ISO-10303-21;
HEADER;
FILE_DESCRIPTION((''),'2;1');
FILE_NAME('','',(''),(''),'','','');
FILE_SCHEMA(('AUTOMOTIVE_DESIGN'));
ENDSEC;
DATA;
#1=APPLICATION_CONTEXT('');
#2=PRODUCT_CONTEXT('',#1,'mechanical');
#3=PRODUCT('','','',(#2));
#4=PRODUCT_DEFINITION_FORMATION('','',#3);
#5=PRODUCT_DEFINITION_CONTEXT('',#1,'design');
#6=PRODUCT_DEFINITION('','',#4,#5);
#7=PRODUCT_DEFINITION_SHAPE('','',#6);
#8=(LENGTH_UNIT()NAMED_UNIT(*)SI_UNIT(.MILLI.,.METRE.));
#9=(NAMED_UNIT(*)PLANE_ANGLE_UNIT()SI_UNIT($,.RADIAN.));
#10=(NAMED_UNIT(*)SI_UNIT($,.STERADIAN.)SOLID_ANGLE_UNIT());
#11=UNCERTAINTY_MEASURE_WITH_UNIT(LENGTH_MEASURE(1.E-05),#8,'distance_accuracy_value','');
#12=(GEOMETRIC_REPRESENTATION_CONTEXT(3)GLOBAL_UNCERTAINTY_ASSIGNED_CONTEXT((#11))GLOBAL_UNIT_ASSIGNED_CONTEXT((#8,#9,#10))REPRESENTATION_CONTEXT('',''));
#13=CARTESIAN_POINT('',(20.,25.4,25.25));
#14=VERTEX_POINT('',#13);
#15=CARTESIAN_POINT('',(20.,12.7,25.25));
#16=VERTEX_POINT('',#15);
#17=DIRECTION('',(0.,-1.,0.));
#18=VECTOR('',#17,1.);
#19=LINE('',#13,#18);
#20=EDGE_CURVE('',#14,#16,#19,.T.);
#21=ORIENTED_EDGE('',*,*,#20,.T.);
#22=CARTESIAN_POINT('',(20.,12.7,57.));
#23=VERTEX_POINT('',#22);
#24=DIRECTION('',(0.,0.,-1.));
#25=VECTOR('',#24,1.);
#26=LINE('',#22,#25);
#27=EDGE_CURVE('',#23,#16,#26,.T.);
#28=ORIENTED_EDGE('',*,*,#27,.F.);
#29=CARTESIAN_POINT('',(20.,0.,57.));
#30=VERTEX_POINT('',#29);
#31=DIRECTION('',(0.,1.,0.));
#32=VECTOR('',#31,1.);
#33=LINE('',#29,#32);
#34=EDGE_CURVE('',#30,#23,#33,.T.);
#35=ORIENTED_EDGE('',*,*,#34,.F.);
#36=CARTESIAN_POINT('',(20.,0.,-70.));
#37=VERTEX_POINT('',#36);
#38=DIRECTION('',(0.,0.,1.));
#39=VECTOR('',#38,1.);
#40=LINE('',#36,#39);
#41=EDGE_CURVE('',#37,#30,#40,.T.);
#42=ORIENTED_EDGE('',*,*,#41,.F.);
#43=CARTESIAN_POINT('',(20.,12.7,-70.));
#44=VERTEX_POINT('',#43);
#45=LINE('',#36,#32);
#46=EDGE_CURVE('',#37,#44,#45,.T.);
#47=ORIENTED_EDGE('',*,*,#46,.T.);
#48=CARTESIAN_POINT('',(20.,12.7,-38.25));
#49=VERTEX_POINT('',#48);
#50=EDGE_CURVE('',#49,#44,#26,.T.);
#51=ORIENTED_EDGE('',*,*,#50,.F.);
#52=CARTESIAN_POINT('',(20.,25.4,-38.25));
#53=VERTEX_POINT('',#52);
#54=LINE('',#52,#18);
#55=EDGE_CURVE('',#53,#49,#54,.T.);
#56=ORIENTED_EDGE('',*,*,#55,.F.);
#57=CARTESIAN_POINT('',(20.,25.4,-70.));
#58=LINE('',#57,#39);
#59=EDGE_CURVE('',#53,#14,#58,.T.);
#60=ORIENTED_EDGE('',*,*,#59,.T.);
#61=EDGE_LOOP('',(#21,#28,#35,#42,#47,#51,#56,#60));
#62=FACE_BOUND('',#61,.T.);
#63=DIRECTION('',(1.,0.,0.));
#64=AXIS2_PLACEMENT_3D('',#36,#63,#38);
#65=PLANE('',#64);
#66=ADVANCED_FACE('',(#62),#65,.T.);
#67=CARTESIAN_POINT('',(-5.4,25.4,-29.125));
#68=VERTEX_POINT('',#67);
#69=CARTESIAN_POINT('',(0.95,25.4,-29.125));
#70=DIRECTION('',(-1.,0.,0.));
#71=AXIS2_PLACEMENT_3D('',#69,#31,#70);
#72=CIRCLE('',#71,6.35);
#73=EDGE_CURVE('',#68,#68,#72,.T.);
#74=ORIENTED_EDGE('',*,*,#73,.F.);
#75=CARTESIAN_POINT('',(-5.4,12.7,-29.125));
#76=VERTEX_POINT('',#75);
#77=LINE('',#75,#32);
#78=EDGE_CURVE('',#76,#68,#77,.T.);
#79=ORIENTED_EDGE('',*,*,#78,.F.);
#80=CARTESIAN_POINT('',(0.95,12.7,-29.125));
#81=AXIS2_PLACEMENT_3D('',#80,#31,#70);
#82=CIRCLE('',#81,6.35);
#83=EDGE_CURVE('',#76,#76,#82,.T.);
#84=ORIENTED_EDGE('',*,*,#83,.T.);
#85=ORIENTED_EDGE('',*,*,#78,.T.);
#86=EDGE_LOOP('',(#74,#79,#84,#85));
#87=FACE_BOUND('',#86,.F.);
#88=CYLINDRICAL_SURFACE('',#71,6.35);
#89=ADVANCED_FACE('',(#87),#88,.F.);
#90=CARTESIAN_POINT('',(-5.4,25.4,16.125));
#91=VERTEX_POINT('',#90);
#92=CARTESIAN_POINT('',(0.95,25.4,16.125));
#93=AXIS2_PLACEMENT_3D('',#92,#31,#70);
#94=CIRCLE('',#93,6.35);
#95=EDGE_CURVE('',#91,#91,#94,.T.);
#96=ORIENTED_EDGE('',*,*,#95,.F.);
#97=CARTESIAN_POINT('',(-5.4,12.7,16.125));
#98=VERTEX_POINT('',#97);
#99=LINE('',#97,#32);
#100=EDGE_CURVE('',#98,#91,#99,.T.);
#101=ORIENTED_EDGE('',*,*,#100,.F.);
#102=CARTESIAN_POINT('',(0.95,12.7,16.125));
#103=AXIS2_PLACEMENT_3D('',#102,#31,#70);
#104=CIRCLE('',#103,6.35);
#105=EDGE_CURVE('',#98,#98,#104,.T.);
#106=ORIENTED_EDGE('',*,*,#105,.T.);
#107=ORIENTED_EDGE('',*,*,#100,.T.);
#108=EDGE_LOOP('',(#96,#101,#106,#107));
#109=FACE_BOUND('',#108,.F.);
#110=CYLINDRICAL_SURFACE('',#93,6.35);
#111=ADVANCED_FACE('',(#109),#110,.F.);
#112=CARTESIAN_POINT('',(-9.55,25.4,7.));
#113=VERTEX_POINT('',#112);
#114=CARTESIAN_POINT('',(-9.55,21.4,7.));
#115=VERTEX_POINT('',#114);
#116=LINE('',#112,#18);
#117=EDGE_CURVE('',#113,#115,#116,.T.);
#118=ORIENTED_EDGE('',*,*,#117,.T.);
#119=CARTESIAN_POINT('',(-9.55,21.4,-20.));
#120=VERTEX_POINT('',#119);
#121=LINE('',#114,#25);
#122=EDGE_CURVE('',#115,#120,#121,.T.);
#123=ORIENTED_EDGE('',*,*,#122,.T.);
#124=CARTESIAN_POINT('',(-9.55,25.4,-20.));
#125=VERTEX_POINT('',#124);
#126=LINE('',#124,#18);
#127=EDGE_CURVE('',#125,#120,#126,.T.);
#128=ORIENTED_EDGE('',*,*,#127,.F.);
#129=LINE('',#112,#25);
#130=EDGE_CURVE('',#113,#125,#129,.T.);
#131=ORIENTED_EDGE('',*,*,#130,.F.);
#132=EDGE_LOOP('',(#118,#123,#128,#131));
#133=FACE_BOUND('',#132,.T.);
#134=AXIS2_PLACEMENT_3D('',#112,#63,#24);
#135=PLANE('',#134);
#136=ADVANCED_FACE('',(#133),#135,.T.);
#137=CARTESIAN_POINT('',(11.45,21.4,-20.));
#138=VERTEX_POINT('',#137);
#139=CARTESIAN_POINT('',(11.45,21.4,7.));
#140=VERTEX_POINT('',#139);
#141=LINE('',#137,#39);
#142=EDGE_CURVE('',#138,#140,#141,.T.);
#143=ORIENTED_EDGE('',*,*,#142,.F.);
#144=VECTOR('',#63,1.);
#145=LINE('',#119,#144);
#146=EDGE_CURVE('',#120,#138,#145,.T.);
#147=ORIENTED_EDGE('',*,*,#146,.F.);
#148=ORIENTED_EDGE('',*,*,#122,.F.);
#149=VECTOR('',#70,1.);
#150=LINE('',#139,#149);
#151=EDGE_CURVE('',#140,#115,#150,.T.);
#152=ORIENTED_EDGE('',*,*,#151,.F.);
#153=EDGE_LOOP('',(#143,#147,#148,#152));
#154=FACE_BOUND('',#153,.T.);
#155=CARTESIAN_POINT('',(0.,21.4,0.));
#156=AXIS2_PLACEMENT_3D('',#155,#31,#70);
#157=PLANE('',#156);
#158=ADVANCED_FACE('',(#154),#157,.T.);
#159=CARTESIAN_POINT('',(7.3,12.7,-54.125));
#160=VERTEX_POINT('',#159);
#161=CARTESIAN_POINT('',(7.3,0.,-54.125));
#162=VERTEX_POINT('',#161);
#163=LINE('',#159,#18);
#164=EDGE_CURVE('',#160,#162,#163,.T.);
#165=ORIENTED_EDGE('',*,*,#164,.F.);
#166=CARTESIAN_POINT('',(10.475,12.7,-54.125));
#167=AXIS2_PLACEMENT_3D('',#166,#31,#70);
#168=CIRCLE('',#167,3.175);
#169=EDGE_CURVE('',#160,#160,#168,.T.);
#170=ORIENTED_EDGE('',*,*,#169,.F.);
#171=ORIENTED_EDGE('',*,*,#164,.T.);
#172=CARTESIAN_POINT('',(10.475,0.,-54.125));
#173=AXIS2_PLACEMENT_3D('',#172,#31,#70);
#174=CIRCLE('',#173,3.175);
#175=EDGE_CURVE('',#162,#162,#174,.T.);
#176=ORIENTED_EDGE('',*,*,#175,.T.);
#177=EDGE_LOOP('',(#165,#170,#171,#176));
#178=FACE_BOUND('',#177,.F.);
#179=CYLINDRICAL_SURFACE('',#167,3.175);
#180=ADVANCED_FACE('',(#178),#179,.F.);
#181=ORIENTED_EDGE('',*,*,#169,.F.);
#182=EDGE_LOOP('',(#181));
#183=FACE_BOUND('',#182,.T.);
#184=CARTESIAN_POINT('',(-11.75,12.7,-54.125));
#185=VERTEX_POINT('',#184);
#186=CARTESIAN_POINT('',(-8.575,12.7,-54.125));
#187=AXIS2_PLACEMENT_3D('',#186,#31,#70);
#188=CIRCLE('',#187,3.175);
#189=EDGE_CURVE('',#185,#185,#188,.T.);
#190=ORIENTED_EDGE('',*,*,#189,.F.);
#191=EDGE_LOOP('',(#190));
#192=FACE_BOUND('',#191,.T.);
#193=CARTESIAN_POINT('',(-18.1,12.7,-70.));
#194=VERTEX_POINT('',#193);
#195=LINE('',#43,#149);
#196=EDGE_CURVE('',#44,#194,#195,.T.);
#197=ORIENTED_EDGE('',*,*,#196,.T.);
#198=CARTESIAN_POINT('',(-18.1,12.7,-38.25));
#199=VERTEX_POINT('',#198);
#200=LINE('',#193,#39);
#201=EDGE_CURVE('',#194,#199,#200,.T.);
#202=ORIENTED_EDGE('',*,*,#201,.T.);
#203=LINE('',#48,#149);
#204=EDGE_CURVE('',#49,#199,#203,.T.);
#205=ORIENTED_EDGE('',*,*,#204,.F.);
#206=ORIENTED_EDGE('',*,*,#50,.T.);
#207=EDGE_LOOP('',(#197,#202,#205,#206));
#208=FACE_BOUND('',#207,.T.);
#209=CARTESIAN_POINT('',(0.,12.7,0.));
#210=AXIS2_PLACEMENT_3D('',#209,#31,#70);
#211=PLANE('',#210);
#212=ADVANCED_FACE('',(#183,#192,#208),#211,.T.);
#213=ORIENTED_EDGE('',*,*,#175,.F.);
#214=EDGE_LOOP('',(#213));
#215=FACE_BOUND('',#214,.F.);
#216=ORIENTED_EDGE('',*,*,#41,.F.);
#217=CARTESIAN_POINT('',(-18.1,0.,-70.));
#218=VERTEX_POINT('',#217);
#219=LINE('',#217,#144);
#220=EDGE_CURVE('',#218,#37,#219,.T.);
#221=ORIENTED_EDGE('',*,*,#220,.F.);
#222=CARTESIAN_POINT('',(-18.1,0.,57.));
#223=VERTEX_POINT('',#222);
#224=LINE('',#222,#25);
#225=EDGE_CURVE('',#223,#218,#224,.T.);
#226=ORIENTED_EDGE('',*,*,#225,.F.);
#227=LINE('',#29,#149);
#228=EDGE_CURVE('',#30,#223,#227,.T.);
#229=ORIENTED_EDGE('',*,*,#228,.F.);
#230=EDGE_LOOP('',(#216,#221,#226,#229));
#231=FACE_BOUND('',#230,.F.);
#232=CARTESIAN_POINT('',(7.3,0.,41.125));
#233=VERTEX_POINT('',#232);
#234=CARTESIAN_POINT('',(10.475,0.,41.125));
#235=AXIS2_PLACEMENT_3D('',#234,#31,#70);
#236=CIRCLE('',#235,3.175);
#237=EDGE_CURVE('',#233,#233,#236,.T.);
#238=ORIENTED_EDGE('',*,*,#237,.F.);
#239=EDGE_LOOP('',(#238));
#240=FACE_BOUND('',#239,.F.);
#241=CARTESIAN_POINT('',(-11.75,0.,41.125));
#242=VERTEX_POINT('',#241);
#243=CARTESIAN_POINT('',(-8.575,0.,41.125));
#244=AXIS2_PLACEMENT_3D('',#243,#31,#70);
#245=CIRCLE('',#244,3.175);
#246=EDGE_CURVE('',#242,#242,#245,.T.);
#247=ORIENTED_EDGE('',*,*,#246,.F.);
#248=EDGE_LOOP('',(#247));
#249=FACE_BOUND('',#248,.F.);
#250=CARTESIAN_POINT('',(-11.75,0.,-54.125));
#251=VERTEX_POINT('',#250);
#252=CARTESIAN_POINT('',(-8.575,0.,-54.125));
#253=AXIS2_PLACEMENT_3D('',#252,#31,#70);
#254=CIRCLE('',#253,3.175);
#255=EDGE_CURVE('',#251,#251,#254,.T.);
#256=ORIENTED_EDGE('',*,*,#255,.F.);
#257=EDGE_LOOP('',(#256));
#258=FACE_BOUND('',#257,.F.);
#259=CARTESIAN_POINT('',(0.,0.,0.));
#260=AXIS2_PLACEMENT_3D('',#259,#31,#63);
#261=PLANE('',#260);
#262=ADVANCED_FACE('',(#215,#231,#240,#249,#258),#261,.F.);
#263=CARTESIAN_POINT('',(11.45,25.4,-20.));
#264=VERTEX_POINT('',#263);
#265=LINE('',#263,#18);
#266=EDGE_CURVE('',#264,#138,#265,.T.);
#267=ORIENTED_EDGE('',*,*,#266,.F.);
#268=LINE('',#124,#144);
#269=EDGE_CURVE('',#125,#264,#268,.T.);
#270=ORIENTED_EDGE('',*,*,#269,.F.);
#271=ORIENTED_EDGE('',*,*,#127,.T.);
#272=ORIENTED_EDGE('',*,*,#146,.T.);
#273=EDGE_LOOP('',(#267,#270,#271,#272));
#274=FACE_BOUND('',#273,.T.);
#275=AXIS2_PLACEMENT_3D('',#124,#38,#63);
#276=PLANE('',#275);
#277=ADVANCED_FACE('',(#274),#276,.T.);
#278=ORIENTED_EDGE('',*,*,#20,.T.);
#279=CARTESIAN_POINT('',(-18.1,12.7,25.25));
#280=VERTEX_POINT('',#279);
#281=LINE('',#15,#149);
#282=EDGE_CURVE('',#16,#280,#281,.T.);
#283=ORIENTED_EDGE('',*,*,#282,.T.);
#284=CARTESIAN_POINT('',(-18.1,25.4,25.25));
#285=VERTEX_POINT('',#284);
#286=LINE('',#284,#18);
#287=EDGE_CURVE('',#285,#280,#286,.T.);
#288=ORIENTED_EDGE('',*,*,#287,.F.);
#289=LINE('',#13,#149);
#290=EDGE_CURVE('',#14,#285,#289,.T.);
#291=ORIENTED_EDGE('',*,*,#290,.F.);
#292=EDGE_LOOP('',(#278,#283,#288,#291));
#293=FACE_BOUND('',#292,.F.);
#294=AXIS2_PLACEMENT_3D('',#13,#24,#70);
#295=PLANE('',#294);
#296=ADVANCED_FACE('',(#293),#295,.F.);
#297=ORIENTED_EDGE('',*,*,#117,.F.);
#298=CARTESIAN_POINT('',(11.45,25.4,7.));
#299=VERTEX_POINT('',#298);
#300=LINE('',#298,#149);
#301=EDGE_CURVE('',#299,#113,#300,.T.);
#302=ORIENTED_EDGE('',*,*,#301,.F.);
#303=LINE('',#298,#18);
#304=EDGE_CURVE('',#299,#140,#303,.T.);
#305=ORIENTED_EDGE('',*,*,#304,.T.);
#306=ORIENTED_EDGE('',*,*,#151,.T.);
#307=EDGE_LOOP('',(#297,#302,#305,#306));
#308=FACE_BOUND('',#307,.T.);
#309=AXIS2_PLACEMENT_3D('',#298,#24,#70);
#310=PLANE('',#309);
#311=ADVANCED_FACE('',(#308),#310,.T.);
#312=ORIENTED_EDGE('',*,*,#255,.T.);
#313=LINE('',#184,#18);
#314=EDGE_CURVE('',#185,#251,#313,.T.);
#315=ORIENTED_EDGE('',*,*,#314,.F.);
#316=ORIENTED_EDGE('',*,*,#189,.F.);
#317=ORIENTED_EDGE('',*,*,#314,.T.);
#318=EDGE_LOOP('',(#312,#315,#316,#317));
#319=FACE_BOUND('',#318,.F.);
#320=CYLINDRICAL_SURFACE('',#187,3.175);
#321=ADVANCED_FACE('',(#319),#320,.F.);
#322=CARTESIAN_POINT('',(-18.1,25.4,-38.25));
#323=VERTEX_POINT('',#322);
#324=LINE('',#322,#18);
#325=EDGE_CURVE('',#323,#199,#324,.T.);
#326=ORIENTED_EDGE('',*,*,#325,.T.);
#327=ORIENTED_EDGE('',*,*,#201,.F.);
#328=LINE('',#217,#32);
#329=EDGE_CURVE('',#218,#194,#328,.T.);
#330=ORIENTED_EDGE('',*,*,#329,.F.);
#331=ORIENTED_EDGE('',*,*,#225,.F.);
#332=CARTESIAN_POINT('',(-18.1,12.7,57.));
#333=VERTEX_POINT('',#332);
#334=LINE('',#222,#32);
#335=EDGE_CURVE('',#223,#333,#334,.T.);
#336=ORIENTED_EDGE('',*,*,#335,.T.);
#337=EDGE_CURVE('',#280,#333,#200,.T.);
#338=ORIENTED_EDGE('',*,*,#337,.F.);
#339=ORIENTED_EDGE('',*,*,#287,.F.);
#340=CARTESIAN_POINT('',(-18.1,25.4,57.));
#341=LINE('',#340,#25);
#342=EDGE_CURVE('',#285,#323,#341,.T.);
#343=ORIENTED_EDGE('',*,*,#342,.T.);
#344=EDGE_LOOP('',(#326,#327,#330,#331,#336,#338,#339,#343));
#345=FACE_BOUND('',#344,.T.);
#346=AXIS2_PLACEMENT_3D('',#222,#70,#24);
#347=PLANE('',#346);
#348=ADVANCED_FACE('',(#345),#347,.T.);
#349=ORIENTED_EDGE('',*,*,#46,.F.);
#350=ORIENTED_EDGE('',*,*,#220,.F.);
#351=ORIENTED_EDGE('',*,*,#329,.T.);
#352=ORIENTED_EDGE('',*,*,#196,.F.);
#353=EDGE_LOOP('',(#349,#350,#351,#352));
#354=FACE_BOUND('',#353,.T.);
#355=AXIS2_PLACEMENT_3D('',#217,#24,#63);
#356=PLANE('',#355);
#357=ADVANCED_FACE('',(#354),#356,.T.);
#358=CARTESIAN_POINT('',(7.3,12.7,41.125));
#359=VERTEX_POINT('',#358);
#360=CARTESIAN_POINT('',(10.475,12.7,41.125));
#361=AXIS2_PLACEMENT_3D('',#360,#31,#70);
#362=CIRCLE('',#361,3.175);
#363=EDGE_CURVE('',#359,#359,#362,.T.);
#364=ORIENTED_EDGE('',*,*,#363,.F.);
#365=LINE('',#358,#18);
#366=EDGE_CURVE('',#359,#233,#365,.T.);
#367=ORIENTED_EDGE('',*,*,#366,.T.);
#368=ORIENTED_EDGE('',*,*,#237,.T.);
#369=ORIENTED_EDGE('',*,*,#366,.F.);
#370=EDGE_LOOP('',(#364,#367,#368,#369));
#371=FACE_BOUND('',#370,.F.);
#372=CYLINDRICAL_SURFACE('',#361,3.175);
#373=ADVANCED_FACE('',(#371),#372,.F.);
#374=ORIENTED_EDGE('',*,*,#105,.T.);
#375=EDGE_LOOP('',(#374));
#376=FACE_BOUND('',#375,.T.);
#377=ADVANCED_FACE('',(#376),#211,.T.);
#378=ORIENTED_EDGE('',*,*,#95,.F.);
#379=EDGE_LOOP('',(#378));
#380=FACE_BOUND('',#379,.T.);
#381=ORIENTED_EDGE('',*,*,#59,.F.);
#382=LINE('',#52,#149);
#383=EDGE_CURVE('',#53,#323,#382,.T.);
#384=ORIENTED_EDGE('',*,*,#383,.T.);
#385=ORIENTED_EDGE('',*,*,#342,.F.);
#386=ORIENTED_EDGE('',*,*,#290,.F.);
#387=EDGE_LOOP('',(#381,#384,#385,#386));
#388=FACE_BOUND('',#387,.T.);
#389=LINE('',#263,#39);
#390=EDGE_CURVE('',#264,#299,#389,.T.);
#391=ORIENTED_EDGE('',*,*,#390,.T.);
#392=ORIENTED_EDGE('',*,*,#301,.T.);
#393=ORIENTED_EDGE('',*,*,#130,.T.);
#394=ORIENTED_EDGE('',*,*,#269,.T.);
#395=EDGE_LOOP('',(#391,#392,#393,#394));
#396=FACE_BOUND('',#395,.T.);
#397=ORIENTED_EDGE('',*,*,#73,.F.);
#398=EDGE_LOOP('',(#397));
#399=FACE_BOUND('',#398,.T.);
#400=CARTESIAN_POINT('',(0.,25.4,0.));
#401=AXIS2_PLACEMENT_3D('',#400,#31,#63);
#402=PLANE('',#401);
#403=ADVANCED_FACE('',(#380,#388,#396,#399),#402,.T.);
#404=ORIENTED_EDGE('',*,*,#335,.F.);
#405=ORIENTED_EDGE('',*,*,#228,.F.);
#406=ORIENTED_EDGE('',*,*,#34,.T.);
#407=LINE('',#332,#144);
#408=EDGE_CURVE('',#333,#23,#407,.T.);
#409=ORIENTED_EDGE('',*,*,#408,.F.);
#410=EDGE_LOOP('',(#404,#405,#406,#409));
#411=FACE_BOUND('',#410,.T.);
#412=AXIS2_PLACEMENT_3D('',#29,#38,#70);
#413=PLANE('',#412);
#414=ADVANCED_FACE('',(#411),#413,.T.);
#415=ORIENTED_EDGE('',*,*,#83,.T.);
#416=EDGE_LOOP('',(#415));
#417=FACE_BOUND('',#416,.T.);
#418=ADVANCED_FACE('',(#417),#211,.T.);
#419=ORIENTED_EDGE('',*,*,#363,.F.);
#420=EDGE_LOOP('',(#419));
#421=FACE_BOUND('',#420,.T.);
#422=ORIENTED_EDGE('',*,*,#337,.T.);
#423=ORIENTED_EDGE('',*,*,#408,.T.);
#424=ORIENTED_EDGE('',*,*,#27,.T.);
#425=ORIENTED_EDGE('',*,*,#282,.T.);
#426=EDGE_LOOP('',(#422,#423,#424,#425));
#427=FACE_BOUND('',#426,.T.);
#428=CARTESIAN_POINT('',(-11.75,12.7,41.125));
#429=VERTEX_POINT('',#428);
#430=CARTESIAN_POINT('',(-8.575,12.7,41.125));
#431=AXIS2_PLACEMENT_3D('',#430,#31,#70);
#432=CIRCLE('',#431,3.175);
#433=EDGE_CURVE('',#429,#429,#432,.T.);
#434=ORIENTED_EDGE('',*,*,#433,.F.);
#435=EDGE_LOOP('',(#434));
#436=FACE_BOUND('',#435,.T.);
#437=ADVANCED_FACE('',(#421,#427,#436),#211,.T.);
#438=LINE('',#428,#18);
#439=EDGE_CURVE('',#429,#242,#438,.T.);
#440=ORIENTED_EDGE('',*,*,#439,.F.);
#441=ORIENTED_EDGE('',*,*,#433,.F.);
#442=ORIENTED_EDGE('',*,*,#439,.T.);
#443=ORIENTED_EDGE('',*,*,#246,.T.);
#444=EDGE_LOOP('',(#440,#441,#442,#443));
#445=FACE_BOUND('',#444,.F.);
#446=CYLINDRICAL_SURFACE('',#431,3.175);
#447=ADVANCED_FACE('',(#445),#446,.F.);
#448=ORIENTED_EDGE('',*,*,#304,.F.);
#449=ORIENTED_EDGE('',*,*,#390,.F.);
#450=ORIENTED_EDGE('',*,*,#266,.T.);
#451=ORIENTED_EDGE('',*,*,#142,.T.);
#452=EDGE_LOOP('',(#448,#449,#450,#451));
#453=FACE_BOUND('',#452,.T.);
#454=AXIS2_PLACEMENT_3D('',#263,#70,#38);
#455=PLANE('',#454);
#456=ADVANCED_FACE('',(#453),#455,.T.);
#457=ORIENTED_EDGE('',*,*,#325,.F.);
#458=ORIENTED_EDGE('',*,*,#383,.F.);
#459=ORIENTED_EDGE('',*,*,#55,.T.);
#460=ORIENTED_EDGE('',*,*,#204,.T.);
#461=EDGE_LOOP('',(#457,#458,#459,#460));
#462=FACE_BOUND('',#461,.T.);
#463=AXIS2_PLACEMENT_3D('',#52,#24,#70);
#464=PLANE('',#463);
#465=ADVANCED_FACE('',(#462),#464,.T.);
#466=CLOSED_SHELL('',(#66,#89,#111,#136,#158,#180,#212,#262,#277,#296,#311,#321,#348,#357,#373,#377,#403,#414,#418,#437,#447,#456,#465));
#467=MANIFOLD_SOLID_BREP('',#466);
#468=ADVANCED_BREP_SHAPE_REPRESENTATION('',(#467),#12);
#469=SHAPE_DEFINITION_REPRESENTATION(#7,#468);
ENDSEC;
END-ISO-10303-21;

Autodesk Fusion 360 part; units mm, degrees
sketch "Sketch1" plane through (0, 0, 0) normal (0, 1, 0) x (1, 0, 0)
  line L0 (-18.1, 70) -> (20, 70)
  line L1 (20, 70) -> (20, -57)
  line L2 (20, -57) -> (-18.1, -57)
  line L3 (-18.1, -57) -> (-18.1, 70)
  dimension "d1" = 127
  dimension "d2" = 38.1
extrude "Extrude1" add sketch "Sketch1" along normal blind 25.4
sketch "Sketch2" plane through (0, 25.4, 0) normal (0, 1, 0) x (-1, 0, 0)
  line L0 (18.1, 57) -> (-20, 57)
  line L1 (-20, 57) -> (-20, -70)
  line L2 (-20, -70) -> (18.1, -70)
  line L3 (18.1, -70) -> (18.1, 57)
  line L4 (18.1, 57) -> (-20, 57)
  line L5 (-20, 57) -> (-20, 25.25)
  line L6 (-20, 25.25) -> (18.1, 25.25)
  line L7 (18.1, 25.25) -> (18.1, 57)
  line L8 (18.1, -70) -> (-20, -70)
  line L9 (-20, -70) -> (-20, -38.25)
  line L10 (-20, -38.25) -> (18.1, -38.25)
  line L11 (18.1, -38.25) -> (18.1, -70)
  dimension "d5" = 31.75
  dimension "d6" = 31.75
extrude "Extrude2" cut sketch "Sketch2" against normal blind 12.7 contours L0 L1 L3 L4 L5 L6 L7 | L1 L2 L3 L8 L9 L10 L11
sketch "Sketch3" plane through (0, 12.7, 0) normal (0, 1, 0) x (-1, 0, 0)
  line L0 (18.1, 25.25) -> (18.1, 57)
  line L1 (18.1, 57) -> (-20, 57)
  line L2 (-20, 57) -> (-20, 25.25)
  line L3 (-20, 25.25) -> (18.1, 25.25)
  circle A0 centre (8.575, 41.125) radius 3.175
  circle A1 centre (-10.475, 41.125) radius 3.175
  dimension "d9" = 6.35
  dimension "d10" = 15.875
  dimension "d12" = 6.35
  dimension "d13" = 15.875
  dimension "d15" = 19.05
  dimension "d16" = 9.525
extrude "Extrude3" cut sketch "Sketch3" against normal blind 30 contours A0 | A1
sketch "Sketch4" plane through (0, 12.7, 0) normal (0, 1, 0) x (-1, 0, 0)
  line L0 (18.1, -38.25) -> (-20, -38.25)
  line L1 (-20, -38.25) -> (-20, -70)
  line L2 (-20, -70) -> (18.1, -70)
  line L3 (18.1, -70) -> (18.1, -38.25)
sketch "Sketch5" plane through (0, 12.7, 0) normal (0, 1, 0) x (-1, 0, 0)
  circle A0 centre (-10.475, -54.125) radius 3.175
  circle A1 centre (8.575, -54.125) radius 3.175
  line L0 (-20, -38.25) -> (-20, -70)
  line L1 (-20, -70) -> (18.1, -70)
  dimension "d19" = 6.35
  dimension "d20" = 6.35
  dimension "d21" = 9.525
  dimension "d22" = 19.05
  dimension "d23" = 15.875
  dimension "d24" = 15.875
extrude "Extrude4" cut sketch "Sketch5" against normal blind 40
sketch "Sketch6" plane through (0, 25.4, 0) normal (0, 1, 0) x (-1, 0, 0)
  line L0 (18.1, 25.25) -> (-20, 25.25)
  line L1 (-20, 25.25) -> (-20, -38.25)
  line L2 (-20, -38.25) -> (18.1, -38.25)
  line L3 (18.1, -38.25) -> (18.1, 25.25)
  line L4 (9.55, -20) -> (-11.45, -20)
  line L5 (-11.45, -20) -> (-11.45, 7)
  line L6 (-11.45, 7) -> (9.55, 7)
  line L7 (9.55, 7) -> (9.55, -20)
  circle A0 centre (-0.95, 16.125) radius 6.35
  circle A1 centre (-0.95, -29.125) radius 6.35
  dimension "d27" = 21
  dimension "d28" = 27
  dimension "d29" = 18.25
  dimension "d30" = 8.55
  dimension "d31" = 12.7
  dimension "d32" = 9.125
  dimension "d33" = 19.05
  dimension "d34" = 12.7
  dimension "d35" = 9.125
  dimension "d36" = 19.05
extrude "Extrude5" cut sketch "Sketch6" against normal blind 4 contours L4 L5 L6 L7 | A0 | A1
sketch "Sketch7" plane through (0, 25.4, 0) normal (0, 1, 0) x (-1, 0, 0)
  line L0 (-11.45, -20) -> (-11.45, 7)
  line L1 (-11.45, 7) -> (9.55, 7)
  line L2 (9.55, 7) -> (9.55, -20)
  line L3 (9.55, -20) -> (-11.45, -20)
  circle A0 centre (-0.95, 16.125) radius 6.35
  circle A1 centre (-0.95, -29.125) radius 6.35
  line L4 (18.1, 25.25) -> (-20, 25.25)
  line L5 (-20, 25.25) -> (-20, -38.25)
  line L6 (-20, -38.25) -> (18.1, -38.25)
  line L7 (18.1, -38.25) -> (18.1, 25.25)
  circle A2 centre (-0.95, -29.125) radius 6.35
  circle A3 centre (-0.95, 16.125) radius 6.35
  dimension "d39" = 12.7
  dimension "d40" = 12.7
extrude "Extrude6" cut sketch "Sketch7" against normal blind 12.7 contours A0 A3 | A1 A2
